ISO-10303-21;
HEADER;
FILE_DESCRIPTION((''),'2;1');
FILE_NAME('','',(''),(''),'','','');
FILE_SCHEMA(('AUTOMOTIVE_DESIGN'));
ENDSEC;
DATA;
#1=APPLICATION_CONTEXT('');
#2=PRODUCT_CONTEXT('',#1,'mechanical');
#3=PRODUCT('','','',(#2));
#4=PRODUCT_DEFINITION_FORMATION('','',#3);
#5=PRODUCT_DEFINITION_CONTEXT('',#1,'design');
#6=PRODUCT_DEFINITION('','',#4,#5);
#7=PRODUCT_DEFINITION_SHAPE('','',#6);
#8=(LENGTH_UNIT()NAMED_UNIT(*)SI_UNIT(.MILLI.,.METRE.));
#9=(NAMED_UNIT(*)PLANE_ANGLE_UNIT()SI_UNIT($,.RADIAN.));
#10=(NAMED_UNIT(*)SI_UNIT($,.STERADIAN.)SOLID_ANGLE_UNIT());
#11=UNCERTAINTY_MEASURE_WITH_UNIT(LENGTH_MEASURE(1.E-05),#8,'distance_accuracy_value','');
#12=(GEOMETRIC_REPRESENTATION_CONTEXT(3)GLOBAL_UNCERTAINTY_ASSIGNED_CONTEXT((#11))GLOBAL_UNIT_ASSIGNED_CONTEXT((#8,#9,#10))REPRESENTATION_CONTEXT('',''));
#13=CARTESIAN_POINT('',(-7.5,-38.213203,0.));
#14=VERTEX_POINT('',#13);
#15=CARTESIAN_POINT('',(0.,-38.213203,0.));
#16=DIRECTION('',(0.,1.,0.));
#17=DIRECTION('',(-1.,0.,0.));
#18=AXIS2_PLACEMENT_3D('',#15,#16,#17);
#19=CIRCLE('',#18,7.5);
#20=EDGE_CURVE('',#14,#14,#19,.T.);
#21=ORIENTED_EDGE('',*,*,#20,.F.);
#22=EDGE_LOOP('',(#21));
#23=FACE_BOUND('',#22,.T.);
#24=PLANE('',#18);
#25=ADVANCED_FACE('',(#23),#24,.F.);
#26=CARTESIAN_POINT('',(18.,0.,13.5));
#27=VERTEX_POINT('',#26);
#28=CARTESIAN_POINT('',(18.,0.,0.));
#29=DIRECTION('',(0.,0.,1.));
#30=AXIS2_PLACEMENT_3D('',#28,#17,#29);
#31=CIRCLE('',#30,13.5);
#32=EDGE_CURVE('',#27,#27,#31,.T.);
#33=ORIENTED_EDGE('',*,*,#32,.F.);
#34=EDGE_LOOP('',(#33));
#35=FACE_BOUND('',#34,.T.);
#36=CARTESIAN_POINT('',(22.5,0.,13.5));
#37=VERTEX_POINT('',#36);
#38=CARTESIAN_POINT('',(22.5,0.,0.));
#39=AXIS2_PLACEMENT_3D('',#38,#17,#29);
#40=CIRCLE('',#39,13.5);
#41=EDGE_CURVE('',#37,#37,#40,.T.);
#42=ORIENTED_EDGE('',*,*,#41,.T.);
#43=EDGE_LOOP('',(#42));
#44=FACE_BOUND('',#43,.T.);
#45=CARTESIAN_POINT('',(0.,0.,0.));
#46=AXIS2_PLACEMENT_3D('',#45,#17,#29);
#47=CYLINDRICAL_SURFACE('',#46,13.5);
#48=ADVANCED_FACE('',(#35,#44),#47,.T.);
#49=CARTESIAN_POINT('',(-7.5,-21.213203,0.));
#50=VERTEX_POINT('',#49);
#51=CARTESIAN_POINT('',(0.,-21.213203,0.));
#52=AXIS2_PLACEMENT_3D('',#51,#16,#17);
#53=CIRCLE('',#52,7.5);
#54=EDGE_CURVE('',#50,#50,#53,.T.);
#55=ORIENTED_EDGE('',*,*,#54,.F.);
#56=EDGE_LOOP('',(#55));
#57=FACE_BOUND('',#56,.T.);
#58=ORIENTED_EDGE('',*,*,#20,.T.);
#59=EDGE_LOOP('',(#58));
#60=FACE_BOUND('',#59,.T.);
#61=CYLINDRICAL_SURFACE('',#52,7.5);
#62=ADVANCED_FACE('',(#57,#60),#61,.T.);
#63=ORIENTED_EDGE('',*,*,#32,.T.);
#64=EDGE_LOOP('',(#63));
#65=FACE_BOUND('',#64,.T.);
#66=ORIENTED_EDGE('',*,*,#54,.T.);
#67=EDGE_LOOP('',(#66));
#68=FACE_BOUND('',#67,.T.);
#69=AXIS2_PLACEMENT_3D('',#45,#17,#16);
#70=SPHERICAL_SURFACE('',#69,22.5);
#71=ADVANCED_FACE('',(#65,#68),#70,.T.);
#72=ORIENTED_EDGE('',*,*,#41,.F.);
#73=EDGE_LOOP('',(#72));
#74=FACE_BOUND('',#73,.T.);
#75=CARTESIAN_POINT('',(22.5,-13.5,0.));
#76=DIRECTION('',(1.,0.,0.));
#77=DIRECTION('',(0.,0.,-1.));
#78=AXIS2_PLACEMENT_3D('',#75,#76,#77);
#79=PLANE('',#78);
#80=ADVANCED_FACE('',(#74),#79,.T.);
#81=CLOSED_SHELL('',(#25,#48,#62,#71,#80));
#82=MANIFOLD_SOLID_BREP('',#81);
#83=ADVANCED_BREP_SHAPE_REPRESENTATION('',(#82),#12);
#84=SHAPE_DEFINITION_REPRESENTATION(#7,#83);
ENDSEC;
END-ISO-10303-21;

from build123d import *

# Parameters (mm, degrees)
SKETCH_2_W = 7.5
SKETCH_2_H = 17


with BuildPart() as part:
    # Эскиз1 → Повернуть5 (revolve)
    with BuildSketch(Plane.XY, mode=Mode.PRIVATE) as revolve_5_sk:
        with BuildLine():
            Line((22.5, -13.5), (22.5, 0))
            Line((22.5, 0), (-22.5, 0))
            ThreePointArc((-22.5, 0), (-7.115124735, -21.345374206), (18, -13.5))
            Line((18, -13.5), (22.5, -13.5))
        make_face()
    revolve(revolve_5_sk.sketch.rotate(Axis((0, 0, 0), (1, 0, 0)), 180), axis=Axis((0, 0, 0), (1, 0, 0)))

    # Эскиз2 → Повернуть6 (revolve)
    with BuildSketch(Plane.XY, mode=Mode.PRIVATE) as revolve_6_sk:
        with Locations((3.75, -29.713203436)):
            Rectangle(SKETCH_2_W, SKETCH_2_H)
    revolve(revolve_6_sk.sketch.rotate(Axis((0, -21.213203436, 0), (0, -1, 0)), 180), axis=Axis((0, -21.213203436, 0), (0, -1, 0)))


solid = part.part
